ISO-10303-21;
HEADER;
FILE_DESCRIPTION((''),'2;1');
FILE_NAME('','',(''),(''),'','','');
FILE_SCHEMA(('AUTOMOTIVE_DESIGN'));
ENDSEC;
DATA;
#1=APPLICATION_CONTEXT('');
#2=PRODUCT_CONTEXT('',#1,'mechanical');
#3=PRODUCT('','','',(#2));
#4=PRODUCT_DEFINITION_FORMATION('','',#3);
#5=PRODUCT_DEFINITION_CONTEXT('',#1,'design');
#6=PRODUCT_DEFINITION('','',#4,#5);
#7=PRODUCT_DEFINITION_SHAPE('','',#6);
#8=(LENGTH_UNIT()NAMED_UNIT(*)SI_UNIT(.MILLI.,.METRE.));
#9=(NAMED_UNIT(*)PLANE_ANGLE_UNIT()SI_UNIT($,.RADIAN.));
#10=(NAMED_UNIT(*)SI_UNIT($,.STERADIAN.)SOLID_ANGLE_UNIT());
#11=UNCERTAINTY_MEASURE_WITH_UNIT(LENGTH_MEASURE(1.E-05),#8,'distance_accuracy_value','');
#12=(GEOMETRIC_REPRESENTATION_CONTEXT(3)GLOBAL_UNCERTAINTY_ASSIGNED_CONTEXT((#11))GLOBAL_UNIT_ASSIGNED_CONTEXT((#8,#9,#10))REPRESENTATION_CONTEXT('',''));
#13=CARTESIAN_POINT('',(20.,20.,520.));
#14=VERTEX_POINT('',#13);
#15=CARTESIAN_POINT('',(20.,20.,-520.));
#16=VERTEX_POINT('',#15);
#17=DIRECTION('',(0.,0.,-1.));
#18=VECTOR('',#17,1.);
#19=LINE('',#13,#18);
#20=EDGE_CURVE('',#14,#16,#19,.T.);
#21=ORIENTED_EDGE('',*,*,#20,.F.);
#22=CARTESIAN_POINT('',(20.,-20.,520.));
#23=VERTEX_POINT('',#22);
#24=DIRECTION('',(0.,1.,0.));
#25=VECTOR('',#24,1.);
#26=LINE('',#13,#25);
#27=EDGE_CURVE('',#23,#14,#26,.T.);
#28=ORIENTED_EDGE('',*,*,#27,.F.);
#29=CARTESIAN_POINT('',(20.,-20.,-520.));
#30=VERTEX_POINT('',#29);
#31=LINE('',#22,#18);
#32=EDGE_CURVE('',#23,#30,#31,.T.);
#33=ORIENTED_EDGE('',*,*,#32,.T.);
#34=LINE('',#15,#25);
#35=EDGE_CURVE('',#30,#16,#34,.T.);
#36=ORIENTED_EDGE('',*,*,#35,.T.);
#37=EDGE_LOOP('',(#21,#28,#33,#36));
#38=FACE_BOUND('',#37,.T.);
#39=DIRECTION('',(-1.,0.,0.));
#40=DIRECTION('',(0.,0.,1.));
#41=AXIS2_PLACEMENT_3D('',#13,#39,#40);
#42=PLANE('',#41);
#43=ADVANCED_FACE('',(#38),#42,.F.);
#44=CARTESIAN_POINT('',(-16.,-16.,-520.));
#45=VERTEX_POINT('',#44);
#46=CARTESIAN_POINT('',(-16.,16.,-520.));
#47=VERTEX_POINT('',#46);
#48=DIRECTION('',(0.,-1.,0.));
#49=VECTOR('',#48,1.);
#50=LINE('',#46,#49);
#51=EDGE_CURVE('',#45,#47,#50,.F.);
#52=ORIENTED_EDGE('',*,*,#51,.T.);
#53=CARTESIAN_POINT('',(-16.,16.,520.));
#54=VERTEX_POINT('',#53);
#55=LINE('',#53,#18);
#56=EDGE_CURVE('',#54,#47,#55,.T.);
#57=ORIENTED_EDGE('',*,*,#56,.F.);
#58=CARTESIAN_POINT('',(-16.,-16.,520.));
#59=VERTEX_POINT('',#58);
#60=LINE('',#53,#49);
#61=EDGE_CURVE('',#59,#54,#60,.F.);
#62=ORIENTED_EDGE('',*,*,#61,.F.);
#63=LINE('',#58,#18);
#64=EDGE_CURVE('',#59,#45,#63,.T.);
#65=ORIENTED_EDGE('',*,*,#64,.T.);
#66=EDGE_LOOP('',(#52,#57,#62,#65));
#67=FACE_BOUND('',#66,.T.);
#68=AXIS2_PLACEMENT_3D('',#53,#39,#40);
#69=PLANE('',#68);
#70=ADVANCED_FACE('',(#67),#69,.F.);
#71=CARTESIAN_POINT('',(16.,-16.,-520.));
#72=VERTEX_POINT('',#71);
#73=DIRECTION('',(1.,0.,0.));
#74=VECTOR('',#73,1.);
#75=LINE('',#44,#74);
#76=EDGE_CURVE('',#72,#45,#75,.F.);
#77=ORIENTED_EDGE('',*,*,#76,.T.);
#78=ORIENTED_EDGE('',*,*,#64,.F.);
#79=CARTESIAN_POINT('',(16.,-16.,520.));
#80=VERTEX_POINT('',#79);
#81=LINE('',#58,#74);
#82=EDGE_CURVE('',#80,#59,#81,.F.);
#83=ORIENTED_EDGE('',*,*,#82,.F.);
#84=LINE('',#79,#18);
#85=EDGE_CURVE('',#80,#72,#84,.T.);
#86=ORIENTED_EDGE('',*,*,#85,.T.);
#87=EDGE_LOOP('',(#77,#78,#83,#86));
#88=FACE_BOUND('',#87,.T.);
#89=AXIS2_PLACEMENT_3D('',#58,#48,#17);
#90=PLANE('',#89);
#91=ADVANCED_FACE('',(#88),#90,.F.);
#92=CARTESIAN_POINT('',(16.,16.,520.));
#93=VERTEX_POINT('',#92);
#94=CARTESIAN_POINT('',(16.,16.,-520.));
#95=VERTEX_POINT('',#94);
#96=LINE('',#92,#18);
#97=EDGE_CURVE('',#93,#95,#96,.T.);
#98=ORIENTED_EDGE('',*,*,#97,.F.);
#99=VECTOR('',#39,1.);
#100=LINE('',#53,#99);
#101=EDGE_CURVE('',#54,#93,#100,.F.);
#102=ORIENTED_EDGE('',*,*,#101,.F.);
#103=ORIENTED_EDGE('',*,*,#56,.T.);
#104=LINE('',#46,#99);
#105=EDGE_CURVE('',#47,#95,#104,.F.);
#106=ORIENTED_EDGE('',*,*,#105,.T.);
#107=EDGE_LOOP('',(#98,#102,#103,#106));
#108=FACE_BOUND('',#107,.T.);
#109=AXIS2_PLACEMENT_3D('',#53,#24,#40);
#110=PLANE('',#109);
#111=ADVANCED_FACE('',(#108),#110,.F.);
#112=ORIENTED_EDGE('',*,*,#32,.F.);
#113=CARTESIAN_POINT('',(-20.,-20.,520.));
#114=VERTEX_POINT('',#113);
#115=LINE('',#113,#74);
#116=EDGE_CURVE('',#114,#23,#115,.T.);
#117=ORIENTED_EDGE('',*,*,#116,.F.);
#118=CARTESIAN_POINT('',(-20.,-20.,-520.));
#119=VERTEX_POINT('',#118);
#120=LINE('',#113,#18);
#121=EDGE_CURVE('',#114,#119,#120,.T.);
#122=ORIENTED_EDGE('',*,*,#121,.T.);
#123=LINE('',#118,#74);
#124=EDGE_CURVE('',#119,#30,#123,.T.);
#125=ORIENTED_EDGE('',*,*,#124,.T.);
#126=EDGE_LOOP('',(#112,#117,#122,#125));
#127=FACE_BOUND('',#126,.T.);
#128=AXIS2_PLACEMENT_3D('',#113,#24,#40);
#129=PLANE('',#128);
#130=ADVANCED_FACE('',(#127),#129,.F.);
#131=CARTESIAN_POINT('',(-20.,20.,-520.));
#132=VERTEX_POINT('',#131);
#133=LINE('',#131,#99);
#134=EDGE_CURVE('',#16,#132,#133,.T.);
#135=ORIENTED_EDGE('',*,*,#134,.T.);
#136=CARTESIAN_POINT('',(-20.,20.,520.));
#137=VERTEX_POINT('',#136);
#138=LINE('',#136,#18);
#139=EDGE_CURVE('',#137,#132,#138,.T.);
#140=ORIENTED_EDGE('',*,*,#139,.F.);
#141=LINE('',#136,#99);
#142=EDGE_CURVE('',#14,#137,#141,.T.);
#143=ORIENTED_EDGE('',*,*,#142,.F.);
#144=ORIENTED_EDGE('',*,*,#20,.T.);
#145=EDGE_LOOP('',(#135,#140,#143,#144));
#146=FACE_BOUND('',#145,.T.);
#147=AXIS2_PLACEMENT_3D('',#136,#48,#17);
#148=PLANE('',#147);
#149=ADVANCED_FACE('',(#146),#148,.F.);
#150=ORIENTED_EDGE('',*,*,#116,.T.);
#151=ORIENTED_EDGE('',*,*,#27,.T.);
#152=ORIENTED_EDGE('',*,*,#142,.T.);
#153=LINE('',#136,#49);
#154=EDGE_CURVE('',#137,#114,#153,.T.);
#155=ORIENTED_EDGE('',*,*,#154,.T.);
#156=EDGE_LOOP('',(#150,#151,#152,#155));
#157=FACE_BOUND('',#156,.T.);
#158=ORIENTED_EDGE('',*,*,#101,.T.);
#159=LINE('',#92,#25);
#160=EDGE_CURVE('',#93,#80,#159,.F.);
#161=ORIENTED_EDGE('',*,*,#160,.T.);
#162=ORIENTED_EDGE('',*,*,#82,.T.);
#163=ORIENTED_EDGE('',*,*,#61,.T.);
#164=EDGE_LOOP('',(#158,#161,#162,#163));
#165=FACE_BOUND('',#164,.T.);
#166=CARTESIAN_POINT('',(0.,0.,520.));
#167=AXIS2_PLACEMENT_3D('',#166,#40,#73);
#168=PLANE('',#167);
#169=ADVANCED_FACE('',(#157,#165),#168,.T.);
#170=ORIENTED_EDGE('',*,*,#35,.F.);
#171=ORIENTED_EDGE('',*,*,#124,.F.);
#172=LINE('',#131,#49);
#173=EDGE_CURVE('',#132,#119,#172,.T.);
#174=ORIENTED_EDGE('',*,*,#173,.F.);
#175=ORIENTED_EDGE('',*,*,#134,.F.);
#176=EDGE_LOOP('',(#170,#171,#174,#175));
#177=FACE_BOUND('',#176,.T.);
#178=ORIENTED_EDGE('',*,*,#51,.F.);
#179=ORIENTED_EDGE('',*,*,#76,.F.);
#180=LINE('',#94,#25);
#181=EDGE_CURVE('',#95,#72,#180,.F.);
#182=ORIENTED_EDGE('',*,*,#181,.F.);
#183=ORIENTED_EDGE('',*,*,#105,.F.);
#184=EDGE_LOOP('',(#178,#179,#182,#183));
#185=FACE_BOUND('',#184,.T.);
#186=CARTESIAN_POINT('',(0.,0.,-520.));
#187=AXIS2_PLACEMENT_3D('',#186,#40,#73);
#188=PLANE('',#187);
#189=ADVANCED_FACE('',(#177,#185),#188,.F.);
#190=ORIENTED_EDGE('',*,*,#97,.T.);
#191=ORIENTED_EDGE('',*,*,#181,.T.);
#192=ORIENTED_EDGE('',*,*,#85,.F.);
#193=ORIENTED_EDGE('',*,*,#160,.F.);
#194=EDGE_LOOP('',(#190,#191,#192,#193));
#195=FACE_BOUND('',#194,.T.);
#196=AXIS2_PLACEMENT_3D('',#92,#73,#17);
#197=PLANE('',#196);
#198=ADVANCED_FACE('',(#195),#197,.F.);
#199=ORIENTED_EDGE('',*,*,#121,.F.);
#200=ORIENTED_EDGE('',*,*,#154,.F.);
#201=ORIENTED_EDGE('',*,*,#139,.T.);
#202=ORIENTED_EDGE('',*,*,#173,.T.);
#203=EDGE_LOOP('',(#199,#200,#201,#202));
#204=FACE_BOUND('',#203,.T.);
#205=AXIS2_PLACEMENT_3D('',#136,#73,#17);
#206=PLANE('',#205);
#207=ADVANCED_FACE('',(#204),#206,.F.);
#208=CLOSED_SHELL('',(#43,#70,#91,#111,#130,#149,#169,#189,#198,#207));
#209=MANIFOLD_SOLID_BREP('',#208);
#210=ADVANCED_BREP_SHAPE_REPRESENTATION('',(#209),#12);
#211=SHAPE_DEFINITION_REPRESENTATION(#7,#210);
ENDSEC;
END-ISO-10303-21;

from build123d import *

# Parameters (mm, degrees)
SKETCH1_W   = 40
SKETCH1_H   = 40
SKETCH1_W_2 = 32
SKETCH1_H_2 = 32


with BuildPart() as part:
    # Sweep1: sweep along a curve in space
    with BuildLine() as sweep1_path:
        add(Edge.make_bspline(
            [(0, 0, -520), (0, 0, 520)],
            knots=[0, 0, 1, 1], degree=1))
    # Sketch1 → Sweep1 (sweep)
    with BuildSketch(Plane.XY):
        Rectangle(SKETCH1_W, SKETCH1_H)
        Rectangle(SKETCH1_W_2, SKETCH1_H_2, mode=Mode.SUBTRACT)
    sweep(path=sweep1_path.line)


solid = part.part
